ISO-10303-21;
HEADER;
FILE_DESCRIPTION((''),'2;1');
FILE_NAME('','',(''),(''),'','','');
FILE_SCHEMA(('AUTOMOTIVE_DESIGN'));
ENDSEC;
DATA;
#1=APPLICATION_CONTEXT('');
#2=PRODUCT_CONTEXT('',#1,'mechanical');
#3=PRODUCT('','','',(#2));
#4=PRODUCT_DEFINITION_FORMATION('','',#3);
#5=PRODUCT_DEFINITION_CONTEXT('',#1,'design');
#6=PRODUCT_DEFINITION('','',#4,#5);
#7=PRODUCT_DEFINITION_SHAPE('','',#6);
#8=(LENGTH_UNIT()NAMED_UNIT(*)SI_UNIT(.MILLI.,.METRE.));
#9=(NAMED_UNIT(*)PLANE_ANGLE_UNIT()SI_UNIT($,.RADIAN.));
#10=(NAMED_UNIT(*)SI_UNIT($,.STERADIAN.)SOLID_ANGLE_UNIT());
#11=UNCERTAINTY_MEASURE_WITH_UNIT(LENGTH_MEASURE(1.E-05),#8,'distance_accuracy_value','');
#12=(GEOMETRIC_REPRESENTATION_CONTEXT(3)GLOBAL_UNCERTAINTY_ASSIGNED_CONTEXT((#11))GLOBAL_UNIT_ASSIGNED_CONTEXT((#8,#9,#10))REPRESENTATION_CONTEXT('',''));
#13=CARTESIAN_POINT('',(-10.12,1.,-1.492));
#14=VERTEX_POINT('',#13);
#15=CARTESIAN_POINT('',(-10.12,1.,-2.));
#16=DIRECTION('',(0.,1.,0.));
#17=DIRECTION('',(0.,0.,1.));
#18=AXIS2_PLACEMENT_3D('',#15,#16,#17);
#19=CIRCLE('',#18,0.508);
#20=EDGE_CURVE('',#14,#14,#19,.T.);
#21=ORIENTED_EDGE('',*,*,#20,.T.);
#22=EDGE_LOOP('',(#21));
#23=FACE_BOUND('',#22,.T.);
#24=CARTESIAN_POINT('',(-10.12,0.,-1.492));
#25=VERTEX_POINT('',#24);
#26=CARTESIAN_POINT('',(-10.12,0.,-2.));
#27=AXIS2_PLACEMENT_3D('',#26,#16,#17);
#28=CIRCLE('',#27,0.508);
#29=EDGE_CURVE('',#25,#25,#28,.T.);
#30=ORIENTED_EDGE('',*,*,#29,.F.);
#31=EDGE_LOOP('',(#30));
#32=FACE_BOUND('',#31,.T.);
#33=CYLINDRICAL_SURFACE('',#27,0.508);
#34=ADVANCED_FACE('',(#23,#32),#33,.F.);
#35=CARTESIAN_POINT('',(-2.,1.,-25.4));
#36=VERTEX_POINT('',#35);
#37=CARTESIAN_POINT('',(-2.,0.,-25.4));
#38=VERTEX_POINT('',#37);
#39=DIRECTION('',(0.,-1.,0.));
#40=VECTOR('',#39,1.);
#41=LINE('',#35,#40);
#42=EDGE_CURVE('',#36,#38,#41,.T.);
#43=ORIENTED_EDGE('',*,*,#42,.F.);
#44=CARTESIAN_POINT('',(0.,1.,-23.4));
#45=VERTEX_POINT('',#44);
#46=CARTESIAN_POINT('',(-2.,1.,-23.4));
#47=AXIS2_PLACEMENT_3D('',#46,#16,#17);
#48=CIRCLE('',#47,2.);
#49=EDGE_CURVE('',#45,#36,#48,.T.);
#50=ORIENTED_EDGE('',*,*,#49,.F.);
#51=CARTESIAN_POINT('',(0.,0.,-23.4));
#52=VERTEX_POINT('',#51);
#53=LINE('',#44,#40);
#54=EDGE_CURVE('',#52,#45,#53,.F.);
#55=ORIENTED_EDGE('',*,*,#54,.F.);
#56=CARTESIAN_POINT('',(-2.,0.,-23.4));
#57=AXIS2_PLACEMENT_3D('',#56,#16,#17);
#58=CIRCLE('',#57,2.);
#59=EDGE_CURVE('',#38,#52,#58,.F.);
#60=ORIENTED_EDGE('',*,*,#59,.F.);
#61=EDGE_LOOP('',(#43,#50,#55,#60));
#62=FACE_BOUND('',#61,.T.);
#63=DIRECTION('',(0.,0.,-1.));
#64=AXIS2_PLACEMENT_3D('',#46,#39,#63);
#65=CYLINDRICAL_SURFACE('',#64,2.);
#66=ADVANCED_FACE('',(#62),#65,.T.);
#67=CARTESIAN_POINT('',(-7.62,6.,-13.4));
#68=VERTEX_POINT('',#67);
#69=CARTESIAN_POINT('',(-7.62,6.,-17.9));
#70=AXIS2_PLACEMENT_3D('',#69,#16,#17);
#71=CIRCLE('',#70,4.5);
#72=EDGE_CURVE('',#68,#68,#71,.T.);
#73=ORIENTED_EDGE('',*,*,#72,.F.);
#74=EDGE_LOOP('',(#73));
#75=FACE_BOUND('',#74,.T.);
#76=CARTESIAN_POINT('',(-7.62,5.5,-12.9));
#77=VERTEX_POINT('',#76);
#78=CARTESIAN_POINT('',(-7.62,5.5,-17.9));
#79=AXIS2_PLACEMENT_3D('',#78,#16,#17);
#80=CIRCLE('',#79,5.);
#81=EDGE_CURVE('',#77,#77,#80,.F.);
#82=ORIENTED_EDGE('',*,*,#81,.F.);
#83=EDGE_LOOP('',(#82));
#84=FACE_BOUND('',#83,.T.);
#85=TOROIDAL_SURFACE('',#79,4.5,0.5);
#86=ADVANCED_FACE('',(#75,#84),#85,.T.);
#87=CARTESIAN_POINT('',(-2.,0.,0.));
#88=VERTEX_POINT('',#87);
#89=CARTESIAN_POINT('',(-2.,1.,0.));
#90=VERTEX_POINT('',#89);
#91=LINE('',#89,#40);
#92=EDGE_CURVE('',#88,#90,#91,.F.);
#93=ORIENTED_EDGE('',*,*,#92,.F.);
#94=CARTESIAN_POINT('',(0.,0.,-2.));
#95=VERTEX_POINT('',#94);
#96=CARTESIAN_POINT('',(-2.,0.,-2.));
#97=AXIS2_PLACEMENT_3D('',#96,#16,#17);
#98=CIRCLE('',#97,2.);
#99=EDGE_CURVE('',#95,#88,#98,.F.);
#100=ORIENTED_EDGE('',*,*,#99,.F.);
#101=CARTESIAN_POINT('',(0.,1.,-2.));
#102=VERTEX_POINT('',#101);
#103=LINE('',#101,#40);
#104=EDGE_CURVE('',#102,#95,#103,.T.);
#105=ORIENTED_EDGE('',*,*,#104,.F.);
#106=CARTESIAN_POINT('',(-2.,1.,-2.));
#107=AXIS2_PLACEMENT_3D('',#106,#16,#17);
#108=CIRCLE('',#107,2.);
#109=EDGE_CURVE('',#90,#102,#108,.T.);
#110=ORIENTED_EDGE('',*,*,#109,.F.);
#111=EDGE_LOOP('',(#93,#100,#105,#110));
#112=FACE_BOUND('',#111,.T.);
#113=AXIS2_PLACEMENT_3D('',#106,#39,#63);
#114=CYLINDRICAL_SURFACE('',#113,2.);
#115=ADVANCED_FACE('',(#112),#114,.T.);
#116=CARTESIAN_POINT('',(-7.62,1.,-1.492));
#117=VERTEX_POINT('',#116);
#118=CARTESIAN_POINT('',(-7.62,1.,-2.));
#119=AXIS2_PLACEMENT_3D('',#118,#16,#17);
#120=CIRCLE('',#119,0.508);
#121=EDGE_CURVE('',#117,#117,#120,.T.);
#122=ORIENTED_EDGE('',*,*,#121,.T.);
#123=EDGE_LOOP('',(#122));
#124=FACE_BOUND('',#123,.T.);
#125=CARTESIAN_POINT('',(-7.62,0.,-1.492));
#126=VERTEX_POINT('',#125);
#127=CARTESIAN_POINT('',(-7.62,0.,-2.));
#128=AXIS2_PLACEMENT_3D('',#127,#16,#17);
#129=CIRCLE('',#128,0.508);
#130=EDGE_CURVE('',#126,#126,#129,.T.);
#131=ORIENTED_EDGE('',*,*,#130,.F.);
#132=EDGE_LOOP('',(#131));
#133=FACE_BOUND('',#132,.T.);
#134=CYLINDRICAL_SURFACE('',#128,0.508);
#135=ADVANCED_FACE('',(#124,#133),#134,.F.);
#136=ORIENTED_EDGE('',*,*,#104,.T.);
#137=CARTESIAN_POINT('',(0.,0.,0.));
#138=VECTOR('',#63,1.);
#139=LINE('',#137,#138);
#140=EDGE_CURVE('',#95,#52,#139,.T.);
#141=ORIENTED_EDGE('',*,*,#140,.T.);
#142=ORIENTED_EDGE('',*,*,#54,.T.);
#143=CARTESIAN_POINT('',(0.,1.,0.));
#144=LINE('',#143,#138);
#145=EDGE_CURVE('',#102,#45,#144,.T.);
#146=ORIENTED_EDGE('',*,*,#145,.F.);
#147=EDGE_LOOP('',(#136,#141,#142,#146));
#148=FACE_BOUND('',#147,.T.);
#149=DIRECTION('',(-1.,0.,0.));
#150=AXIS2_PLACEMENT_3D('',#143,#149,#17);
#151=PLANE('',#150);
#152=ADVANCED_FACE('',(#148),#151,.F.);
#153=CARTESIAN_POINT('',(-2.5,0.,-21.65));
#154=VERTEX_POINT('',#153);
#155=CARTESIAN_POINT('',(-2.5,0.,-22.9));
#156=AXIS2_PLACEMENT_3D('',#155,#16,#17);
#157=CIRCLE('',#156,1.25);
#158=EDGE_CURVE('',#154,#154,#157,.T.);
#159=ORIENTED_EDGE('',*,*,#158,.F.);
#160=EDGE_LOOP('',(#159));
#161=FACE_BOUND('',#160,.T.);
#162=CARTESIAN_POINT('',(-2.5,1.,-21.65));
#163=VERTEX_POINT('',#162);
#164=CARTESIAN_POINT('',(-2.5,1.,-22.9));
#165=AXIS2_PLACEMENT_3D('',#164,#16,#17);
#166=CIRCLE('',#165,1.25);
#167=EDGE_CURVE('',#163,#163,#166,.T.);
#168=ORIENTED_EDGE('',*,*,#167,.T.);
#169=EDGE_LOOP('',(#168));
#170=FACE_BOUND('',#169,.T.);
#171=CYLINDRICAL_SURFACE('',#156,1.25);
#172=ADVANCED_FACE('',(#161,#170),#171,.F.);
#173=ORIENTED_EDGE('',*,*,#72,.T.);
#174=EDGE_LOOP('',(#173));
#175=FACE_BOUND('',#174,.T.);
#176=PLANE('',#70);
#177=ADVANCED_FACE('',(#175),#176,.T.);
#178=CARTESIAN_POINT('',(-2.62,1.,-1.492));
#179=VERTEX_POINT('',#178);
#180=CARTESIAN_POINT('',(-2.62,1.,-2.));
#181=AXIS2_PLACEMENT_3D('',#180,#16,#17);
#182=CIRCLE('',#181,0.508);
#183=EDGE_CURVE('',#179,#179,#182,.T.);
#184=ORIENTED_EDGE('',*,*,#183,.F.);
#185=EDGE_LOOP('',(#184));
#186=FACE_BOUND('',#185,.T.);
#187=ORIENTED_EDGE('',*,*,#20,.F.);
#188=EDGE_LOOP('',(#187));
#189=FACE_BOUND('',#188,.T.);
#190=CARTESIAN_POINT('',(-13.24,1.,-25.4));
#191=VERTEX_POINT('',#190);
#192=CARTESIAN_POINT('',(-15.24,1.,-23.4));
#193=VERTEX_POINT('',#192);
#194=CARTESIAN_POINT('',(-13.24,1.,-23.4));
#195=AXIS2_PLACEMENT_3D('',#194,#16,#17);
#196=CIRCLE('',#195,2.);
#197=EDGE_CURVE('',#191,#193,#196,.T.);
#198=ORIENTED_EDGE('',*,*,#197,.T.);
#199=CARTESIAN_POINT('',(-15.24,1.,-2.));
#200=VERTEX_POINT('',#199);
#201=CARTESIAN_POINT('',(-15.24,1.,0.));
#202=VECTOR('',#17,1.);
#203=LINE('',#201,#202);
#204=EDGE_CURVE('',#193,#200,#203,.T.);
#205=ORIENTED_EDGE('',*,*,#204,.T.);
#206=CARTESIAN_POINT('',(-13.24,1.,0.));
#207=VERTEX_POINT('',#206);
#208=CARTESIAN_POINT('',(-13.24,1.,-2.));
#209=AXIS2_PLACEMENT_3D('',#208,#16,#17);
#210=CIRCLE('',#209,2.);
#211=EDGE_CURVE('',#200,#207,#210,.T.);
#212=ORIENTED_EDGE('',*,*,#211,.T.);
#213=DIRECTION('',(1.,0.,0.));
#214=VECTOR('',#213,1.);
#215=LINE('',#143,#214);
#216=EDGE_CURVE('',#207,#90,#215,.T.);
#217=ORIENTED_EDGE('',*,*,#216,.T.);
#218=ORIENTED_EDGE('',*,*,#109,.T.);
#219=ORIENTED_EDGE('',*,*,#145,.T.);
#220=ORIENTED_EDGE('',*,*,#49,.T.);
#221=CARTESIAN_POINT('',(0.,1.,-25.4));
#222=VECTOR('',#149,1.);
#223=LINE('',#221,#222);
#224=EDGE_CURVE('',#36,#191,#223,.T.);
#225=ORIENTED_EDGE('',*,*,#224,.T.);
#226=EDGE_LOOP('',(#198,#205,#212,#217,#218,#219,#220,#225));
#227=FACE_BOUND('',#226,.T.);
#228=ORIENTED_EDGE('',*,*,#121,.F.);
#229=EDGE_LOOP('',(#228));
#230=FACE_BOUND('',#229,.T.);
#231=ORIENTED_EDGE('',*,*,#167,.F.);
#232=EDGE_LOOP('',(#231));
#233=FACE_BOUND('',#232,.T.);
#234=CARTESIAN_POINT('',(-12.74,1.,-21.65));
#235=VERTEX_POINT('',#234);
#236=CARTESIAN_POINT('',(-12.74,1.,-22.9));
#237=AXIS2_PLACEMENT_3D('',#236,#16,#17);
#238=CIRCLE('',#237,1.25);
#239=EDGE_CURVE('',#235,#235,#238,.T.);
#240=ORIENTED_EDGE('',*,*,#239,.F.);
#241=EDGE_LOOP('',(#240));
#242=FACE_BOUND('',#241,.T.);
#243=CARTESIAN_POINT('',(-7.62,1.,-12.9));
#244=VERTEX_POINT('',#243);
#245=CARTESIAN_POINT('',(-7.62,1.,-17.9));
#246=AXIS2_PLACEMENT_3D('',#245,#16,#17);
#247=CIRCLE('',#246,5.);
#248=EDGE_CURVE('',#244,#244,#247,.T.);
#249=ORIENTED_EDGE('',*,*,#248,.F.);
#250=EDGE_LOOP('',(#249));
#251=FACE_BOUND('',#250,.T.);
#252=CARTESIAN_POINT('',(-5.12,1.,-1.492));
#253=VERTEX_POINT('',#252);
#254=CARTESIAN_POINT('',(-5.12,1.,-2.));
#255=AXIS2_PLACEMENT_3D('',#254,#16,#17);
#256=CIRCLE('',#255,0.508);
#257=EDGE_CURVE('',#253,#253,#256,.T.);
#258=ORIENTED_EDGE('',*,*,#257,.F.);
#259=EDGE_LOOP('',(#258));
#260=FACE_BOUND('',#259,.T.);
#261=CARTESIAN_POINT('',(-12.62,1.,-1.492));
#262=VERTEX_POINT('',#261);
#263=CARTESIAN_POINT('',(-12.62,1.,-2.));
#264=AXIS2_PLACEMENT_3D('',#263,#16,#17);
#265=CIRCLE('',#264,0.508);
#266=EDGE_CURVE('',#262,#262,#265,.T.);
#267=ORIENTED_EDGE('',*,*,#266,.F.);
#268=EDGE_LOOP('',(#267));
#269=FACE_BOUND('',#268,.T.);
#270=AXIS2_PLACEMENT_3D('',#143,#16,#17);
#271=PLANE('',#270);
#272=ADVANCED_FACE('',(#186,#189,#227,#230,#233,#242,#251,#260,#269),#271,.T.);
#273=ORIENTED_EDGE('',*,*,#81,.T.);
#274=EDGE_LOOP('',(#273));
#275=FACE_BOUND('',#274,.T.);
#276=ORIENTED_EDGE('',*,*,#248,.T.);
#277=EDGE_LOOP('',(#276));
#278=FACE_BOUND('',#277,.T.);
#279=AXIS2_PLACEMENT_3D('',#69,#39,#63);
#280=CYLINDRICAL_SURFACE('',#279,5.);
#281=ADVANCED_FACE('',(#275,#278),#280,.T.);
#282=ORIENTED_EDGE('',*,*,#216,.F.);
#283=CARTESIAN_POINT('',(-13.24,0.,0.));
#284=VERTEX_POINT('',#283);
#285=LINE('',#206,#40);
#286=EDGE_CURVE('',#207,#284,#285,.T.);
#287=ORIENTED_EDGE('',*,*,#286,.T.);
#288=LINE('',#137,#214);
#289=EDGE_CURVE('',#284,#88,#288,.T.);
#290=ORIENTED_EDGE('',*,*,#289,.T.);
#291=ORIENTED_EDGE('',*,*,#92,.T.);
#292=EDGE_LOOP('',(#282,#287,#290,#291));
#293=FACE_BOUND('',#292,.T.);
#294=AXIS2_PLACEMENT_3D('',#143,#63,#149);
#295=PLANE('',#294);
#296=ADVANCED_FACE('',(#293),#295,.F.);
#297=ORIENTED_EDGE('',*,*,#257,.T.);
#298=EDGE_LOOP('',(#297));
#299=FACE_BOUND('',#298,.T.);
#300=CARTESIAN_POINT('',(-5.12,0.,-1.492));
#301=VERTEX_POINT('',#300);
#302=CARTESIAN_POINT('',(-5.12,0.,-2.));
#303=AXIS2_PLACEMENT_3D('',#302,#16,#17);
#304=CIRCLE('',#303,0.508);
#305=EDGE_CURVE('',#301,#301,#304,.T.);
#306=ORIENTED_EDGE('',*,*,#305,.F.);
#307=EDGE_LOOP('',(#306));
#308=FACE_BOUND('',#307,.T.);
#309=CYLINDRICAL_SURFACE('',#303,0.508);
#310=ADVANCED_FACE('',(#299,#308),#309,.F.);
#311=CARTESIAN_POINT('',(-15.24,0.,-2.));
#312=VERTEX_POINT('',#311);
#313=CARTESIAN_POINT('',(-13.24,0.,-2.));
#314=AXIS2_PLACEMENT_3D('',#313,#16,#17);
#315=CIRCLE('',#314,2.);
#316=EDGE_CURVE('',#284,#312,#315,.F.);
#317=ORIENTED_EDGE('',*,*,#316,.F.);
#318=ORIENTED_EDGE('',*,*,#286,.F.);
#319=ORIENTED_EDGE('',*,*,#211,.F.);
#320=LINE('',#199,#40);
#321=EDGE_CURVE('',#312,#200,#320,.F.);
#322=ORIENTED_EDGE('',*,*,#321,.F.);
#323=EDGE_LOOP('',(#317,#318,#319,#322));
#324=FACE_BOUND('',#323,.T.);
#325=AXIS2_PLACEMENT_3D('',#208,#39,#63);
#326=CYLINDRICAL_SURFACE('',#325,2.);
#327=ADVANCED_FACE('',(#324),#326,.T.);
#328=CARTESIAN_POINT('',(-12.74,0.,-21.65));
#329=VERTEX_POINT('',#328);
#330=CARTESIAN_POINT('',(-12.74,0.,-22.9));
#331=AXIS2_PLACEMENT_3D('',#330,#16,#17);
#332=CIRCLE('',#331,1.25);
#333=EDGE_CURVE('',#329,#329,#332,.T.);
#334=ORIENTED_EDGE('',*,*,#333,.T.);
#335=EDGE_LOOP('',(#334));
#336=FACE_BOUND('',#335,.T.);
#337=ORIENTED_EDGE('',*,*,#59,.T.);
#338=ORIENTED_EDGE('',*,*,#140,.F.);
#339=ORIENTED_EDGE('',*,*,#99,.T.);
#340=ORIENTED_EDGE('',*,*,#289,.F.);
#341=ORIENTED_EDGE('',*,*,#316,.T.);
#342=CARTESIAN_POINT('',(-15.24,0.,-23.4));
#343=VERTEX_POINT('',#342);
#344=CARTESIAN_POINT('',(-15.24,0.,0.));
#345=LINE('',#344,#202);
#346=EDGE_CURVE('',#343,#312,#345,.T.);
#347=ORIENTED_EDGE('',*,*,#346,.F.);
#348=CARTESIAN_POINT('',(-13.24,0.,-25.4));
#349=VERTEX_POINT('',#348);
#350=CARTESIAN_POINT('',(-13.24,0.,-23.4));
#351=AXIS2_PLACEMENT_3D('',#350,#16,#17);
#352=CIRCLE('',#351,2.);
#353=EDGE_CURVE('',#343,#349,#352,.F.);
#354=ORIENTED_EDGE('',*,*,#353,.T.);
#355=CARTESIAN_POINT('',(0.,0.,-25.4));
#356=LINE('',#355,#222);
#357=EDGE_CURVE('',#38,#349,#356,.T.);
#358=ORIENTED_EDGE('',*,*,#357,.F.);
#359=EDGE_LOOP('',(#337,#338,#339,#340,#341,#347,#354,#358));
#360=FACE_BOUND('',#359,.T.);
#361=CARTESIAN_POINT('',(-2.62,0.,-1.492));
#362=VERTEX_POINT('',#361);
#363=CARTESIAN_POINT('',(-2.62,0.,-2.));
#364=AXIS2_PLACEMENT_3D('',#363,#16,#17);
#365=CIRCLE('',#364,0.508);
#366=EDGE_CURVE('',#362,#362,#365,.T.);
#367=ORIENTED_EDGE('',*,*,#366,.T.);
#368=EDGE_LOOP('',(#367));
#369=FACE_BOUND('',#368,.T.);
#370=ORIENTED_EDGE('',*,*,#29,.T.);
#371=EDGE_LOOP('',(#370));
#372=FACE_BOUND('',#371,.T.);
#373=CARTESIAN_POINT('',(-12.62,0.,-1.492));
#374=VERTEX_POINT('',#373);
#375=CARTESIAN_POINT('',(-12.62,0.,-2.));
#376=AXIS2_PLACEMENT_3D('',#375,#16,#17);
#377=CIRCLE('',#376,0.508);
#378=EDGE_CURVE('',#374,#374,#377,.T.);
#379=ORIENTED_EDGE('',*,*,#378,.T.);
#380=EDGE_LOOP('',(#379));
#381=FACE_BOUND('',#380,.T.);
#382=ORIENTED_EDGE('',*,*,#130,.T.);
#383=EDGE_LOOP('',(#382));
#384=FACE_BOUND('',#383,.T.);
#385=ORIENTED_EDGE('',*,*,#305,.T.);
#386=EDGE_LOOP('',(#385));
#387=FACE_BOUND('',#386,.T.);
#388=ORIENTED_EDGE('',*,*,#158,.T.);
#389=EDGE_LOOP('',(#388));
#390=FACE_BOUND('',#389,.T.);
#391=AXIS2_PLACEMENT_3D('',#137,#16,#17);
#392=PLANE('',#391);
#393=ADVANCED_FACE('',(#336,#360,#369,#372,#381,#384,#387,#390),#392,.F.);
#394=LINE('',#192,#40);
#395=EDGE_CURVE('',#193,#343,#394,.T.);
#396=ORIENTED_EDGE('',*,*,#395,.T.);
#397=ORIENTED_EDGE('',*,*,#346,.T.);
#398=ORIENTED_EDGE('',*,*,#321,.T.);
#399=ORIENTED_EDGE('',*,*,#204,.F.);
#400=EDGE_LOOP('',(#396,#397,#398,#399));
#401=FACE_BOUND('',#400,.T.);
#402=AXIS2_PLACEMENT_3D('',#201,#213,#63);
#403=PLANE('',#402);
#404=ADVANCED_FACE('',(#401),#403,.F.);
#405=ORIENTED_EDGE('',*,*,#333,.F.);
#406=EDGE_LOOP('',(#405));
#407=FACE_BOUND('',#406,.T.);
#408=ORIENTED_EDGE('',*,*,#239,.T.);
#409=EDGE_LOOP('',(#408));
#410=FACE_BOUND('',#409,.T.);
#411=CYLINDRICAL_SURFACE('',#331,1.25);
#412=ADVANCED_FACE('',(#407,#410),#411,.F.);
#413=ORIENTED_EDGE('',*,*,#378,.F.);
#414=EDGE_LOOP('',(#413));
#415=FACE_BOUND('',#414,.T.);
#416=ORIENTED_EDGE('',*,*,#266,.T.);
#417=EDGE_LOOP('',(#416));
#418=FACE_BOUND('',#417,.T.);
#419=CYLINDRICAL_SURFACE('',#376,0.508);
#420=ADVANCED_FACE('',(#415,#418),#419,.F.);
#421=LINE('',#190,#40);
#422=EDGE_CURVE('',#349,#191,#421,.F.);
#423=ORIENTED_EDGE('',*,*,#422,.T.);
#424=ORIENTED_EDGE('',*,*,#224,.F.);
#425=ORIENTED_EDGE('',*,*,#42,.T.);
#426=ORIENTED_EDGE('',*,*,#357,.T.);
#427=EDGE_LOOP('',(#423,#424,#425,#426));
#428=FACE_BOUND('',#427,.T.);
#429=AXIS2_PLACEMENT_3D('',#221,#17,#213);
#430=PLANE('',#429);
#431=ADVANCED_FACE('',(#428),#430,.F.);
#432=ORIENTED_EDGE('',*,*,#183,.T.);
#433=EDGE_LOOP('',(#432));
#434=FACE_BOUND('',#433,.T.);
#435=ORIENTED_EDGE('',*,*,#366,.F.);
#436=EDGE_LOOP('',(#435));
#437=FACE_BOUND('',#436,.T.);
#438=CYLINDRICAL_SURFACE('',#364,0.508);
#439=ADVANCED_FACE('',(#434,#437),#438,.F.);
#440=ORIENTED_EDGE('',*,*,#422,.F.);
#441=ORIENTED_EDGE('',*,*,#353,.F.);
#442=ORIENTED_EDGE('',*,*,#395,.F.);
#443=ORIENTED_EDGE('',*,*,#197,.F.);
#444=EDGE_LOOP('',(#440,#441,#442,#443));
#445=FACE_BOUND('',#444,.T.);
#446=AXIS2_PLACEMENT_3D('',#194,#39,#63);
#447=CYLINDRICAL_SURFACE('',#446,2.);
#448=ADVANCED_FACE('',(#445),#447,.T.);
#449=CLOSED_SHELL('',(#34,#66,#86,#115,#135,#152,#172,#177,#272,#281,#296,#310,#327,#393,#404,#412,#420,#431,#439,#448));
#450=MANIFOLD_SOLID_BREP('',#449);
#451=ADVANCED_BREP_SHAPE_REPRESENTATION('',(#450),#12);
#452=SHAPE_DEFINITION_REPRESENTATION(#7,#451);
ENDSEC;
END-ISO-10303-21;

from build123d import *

# Parameters (mm, degrees)
SKETCH1_W           = 15.24
SKETCH1_H           = 25.4
BOSS_EXTRUDE1_DEPTH = 1
FILLET1_R           = 2
SKETCH2_R           = 1.25
SKETCH2_R_2         = 0.508
CUT_EXTRUDE1_DEPTH  = 1
SKETCH3_R           = 5
BOSS_EXTRUDE2_DEPTH = 5
FILLET2_R           = 0.5


with BuildPart() as part:
    # Sketch1 → Boss-Extrude1 (new body)
    with BuildSketch(Plane(origin=(0, 0, 0), x_dir=(1, 0, 0), z_dir=(0, 1, 0))):
        with Locations((-7.62, 12.7)):
            Rectangle(SKETCH1_W, SKETCH1_H)
    extrude(amount=BOSS_EXTRUDE1_DEPTH)

    # Fillet1
    fillet1_edges = [part.edges().sort_by_distance(p)[0] for p in [
        (0, 0.5, 0),
        (-15.24, 0.5, 0),
        (-15.24, 0.5, -25.4),
        (0, 0.5, -25.4),
    ]]
    fillet(fillet1_edges, radius=FILLET1_R)

    # Sketch2 → Cut-Extrude1 (cut)
    with BuildSketch(Plane(origin=(0, 1, 0), x_dir=(1, 0, 0), z_dir=(0, 1, 0))):
        with Locations(Location((-2.5, 22.9, 0), (0, 0, 270))):
            Circle(SKETCH2_R)
        with Locations(Location((-12.74, 22.9, 0), (0, 0, 270))):
            Circle(SKETCH2_R)
        with Locations(Location((-12.62, 2, 0), (0, 0, 270))):
            Circle(SKETCH2_R_2)
        with Locations(Location((-10.12, 2, 0), (0, 0, 270))):
            Circle(SKETCH2_R_2)
        with Locations(Location((-7.62, 2, 0), (0, 0, 270))):
            Circle(SKETCH2_R_2)
        with Locations(Location((-5.12, 2, 0), (0, 0, 270))):
            Circle(SKETCH2_R_2)
        with Locations(Location((-2.62, 2, 0), (0, 0, 270))):
            Circle(SKETCH2_R_2)
    extrude(amount=-CUT_EXTRUDE1_DEPTH, mode=Mode.SUBTRACT)

    # Sketch3 → Boss-Extrude2 (add)
    with BuildSketch(Plane(origin=(0, 1, 0), x_dir=(1, 0, 0), z_dir=(0, 1, 0))):
        with Locations(Location((-7.62, 17.9, 0), (0, 0, 270))):
            Circle(SKETCH3_R)
    extrude(amount=BOSS_EXTRUDE2_DEPTH)

    # Fillet2
    fillet2_edges = [part.edges().sort_by_distance(p)[0] for p in [
        (-7.62, 6, -22.9),
    ]]
    fillet(fillet2_edges, radius=FILLET2_R)


solid = part.part
